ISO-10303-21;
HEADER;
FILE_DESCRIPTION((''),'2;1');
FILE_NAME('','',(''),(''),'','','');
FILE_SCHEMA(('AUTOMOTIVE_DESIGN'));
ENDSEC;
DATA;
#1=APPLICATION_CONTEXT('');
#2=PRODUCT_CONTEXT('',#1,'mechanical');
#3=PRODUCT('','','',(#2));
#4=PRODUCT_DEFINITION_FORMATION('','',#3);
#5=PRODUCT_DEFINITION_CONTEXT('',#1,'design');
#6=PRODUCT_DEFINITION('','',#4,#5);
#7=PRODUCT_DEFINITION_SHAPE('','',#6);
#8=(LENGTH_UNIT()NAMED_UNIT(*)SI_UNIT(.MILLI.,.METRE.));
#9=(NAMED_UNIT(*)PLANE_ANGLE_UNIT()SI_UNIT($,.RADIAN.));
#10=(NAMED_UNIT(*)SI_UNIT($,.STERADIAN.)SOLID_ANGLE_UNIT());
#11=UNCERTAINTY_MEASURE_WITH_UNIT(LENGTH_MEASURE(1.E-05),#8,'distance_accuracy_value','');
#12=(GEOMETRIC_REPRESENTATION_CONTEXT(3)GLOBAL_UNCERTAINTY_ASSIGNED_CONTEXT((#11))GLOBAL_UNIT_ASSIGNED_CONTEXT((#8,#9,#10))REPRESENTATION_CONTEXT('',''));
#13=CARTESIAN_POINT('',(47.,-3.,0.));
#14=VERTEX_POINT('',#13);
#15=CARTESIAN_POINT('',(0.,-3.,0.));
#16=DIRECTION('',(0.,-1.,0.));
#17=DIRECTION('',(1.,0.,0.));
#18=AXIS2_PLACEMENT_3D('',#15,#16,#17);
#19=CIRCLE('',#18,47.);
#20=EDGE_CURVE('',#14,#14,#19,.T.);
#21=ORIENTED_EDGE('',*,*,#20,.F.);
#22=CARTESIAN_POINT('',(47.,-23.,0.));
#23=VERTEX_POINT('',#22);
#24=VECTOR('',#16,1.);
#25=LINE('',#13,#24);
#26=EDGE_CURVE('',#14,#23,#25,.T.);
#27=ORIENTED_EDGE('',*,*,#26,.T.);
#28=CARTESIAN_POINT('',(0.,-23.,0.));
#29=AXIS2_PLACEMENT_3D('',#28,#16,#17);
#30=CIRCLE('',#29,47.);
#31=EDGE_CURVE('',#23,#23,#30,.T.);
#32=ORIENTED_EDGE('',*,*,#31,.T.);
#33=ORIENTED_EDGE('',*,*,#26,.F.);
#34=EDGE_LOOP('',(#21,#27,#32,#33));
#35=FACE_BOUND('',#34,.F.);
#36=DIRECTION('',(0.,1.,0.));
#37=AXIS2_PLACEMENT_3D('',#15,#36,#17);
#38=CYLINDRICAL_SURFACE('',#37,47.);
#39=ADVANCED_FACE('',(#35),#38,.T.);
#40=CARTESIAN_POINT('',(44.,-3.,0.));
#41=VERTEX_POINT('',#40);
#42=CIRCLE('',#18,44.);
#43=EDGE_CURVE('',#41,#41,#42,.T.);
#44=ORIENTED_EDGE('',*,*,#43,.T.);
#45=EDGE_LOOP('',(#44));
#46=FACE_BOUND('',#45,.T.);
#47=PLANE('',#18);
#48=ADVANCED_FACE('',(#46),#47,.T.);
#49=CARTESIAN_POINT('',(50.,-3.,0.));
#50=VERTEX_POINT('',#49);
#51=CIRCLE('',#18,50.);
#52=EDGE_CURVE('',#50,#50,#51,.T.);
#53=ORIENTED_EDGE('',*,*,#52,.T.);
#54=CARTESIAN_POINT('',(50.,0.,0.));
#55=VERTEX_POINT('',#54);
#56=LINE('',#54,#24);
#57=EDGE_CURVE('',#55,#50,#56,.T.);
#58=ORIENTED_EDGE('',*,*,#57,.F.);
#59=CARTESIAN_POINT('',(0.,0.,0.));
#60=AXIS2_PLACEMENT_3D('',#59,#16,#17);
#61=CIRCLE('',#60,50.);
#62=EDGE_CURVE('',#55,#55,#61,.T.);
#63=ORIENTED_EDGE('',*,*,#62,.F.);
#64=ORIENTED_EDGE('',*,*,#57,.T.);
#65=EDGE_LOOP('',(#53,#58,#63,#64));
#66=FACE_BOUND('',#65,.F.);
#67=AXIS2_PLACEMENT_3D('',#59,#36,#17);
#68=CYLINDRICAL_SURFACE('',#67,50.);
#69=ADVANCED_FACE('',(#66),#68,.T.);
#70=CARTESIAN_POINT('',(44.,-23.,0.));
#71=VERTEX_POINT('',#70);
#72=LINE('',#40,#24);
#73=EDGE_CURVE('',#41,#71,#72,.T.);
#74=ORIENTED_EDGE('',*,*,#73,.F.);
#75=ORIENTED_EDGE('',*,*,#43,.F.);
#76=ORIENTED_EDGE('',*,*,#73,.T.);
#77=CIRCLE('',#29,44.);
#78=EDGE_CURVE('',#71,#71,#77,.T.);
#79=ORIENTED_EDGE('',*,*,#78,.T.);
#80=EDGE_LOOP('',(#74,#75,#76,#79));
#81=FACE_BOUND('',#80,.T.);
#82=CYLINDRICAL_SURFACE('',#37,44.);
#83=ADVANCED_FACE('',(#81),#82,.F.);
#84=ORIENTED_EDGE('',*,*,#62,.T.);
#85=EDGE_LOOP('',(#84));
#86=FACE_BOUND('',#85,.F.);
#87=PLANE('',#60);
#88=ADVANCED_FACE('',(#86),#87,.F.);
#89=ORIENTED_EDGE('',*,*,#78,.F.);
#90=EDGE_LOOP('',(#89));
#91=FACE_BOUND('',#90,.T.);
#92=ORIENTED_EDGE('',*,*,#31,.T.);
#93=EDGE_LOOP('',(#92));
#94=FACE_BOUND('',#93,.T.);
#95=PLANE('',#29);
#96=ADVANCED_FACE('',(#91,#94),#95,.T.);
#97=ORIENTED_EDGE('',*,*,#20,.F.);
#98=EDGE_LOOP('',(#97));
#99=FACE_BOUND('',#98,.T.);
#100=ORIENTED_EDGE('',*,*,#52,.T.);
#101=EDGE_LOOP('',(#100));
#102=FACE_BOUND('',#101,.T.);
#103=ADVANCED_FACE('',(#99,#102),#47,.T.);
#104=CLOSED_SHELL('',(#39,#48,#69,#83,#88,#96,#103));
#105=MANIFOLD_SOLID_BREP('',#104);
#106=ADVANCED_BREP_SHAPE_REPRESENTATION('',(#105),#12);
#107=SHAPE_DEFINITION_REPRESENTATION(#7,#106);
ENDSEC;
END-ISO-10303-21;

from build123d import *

# Parameters (mm, degrees)
F0_R     = 50
F1_DEPTH = 3
F2_R     = 47
F2_R_2   = 44
F3_DEPTH = 20


with BuildPart() as f1:
    # F0 (on Front) → F1 (new body)
    with BuildSketch(Plane.XZ):
        Circle(F0_R)
    extrude(amount=F1_DEPTH)

    # F2 (on face) → F3 (join)
    with BuildSketch(Plane.XZ.offset(3)):
        Circle(F2_R)
        Circle(F2_R_2, mode=Mode.SUBTRACT)
    extrude(amount=F3_DEPTH)


solid = f1.part
